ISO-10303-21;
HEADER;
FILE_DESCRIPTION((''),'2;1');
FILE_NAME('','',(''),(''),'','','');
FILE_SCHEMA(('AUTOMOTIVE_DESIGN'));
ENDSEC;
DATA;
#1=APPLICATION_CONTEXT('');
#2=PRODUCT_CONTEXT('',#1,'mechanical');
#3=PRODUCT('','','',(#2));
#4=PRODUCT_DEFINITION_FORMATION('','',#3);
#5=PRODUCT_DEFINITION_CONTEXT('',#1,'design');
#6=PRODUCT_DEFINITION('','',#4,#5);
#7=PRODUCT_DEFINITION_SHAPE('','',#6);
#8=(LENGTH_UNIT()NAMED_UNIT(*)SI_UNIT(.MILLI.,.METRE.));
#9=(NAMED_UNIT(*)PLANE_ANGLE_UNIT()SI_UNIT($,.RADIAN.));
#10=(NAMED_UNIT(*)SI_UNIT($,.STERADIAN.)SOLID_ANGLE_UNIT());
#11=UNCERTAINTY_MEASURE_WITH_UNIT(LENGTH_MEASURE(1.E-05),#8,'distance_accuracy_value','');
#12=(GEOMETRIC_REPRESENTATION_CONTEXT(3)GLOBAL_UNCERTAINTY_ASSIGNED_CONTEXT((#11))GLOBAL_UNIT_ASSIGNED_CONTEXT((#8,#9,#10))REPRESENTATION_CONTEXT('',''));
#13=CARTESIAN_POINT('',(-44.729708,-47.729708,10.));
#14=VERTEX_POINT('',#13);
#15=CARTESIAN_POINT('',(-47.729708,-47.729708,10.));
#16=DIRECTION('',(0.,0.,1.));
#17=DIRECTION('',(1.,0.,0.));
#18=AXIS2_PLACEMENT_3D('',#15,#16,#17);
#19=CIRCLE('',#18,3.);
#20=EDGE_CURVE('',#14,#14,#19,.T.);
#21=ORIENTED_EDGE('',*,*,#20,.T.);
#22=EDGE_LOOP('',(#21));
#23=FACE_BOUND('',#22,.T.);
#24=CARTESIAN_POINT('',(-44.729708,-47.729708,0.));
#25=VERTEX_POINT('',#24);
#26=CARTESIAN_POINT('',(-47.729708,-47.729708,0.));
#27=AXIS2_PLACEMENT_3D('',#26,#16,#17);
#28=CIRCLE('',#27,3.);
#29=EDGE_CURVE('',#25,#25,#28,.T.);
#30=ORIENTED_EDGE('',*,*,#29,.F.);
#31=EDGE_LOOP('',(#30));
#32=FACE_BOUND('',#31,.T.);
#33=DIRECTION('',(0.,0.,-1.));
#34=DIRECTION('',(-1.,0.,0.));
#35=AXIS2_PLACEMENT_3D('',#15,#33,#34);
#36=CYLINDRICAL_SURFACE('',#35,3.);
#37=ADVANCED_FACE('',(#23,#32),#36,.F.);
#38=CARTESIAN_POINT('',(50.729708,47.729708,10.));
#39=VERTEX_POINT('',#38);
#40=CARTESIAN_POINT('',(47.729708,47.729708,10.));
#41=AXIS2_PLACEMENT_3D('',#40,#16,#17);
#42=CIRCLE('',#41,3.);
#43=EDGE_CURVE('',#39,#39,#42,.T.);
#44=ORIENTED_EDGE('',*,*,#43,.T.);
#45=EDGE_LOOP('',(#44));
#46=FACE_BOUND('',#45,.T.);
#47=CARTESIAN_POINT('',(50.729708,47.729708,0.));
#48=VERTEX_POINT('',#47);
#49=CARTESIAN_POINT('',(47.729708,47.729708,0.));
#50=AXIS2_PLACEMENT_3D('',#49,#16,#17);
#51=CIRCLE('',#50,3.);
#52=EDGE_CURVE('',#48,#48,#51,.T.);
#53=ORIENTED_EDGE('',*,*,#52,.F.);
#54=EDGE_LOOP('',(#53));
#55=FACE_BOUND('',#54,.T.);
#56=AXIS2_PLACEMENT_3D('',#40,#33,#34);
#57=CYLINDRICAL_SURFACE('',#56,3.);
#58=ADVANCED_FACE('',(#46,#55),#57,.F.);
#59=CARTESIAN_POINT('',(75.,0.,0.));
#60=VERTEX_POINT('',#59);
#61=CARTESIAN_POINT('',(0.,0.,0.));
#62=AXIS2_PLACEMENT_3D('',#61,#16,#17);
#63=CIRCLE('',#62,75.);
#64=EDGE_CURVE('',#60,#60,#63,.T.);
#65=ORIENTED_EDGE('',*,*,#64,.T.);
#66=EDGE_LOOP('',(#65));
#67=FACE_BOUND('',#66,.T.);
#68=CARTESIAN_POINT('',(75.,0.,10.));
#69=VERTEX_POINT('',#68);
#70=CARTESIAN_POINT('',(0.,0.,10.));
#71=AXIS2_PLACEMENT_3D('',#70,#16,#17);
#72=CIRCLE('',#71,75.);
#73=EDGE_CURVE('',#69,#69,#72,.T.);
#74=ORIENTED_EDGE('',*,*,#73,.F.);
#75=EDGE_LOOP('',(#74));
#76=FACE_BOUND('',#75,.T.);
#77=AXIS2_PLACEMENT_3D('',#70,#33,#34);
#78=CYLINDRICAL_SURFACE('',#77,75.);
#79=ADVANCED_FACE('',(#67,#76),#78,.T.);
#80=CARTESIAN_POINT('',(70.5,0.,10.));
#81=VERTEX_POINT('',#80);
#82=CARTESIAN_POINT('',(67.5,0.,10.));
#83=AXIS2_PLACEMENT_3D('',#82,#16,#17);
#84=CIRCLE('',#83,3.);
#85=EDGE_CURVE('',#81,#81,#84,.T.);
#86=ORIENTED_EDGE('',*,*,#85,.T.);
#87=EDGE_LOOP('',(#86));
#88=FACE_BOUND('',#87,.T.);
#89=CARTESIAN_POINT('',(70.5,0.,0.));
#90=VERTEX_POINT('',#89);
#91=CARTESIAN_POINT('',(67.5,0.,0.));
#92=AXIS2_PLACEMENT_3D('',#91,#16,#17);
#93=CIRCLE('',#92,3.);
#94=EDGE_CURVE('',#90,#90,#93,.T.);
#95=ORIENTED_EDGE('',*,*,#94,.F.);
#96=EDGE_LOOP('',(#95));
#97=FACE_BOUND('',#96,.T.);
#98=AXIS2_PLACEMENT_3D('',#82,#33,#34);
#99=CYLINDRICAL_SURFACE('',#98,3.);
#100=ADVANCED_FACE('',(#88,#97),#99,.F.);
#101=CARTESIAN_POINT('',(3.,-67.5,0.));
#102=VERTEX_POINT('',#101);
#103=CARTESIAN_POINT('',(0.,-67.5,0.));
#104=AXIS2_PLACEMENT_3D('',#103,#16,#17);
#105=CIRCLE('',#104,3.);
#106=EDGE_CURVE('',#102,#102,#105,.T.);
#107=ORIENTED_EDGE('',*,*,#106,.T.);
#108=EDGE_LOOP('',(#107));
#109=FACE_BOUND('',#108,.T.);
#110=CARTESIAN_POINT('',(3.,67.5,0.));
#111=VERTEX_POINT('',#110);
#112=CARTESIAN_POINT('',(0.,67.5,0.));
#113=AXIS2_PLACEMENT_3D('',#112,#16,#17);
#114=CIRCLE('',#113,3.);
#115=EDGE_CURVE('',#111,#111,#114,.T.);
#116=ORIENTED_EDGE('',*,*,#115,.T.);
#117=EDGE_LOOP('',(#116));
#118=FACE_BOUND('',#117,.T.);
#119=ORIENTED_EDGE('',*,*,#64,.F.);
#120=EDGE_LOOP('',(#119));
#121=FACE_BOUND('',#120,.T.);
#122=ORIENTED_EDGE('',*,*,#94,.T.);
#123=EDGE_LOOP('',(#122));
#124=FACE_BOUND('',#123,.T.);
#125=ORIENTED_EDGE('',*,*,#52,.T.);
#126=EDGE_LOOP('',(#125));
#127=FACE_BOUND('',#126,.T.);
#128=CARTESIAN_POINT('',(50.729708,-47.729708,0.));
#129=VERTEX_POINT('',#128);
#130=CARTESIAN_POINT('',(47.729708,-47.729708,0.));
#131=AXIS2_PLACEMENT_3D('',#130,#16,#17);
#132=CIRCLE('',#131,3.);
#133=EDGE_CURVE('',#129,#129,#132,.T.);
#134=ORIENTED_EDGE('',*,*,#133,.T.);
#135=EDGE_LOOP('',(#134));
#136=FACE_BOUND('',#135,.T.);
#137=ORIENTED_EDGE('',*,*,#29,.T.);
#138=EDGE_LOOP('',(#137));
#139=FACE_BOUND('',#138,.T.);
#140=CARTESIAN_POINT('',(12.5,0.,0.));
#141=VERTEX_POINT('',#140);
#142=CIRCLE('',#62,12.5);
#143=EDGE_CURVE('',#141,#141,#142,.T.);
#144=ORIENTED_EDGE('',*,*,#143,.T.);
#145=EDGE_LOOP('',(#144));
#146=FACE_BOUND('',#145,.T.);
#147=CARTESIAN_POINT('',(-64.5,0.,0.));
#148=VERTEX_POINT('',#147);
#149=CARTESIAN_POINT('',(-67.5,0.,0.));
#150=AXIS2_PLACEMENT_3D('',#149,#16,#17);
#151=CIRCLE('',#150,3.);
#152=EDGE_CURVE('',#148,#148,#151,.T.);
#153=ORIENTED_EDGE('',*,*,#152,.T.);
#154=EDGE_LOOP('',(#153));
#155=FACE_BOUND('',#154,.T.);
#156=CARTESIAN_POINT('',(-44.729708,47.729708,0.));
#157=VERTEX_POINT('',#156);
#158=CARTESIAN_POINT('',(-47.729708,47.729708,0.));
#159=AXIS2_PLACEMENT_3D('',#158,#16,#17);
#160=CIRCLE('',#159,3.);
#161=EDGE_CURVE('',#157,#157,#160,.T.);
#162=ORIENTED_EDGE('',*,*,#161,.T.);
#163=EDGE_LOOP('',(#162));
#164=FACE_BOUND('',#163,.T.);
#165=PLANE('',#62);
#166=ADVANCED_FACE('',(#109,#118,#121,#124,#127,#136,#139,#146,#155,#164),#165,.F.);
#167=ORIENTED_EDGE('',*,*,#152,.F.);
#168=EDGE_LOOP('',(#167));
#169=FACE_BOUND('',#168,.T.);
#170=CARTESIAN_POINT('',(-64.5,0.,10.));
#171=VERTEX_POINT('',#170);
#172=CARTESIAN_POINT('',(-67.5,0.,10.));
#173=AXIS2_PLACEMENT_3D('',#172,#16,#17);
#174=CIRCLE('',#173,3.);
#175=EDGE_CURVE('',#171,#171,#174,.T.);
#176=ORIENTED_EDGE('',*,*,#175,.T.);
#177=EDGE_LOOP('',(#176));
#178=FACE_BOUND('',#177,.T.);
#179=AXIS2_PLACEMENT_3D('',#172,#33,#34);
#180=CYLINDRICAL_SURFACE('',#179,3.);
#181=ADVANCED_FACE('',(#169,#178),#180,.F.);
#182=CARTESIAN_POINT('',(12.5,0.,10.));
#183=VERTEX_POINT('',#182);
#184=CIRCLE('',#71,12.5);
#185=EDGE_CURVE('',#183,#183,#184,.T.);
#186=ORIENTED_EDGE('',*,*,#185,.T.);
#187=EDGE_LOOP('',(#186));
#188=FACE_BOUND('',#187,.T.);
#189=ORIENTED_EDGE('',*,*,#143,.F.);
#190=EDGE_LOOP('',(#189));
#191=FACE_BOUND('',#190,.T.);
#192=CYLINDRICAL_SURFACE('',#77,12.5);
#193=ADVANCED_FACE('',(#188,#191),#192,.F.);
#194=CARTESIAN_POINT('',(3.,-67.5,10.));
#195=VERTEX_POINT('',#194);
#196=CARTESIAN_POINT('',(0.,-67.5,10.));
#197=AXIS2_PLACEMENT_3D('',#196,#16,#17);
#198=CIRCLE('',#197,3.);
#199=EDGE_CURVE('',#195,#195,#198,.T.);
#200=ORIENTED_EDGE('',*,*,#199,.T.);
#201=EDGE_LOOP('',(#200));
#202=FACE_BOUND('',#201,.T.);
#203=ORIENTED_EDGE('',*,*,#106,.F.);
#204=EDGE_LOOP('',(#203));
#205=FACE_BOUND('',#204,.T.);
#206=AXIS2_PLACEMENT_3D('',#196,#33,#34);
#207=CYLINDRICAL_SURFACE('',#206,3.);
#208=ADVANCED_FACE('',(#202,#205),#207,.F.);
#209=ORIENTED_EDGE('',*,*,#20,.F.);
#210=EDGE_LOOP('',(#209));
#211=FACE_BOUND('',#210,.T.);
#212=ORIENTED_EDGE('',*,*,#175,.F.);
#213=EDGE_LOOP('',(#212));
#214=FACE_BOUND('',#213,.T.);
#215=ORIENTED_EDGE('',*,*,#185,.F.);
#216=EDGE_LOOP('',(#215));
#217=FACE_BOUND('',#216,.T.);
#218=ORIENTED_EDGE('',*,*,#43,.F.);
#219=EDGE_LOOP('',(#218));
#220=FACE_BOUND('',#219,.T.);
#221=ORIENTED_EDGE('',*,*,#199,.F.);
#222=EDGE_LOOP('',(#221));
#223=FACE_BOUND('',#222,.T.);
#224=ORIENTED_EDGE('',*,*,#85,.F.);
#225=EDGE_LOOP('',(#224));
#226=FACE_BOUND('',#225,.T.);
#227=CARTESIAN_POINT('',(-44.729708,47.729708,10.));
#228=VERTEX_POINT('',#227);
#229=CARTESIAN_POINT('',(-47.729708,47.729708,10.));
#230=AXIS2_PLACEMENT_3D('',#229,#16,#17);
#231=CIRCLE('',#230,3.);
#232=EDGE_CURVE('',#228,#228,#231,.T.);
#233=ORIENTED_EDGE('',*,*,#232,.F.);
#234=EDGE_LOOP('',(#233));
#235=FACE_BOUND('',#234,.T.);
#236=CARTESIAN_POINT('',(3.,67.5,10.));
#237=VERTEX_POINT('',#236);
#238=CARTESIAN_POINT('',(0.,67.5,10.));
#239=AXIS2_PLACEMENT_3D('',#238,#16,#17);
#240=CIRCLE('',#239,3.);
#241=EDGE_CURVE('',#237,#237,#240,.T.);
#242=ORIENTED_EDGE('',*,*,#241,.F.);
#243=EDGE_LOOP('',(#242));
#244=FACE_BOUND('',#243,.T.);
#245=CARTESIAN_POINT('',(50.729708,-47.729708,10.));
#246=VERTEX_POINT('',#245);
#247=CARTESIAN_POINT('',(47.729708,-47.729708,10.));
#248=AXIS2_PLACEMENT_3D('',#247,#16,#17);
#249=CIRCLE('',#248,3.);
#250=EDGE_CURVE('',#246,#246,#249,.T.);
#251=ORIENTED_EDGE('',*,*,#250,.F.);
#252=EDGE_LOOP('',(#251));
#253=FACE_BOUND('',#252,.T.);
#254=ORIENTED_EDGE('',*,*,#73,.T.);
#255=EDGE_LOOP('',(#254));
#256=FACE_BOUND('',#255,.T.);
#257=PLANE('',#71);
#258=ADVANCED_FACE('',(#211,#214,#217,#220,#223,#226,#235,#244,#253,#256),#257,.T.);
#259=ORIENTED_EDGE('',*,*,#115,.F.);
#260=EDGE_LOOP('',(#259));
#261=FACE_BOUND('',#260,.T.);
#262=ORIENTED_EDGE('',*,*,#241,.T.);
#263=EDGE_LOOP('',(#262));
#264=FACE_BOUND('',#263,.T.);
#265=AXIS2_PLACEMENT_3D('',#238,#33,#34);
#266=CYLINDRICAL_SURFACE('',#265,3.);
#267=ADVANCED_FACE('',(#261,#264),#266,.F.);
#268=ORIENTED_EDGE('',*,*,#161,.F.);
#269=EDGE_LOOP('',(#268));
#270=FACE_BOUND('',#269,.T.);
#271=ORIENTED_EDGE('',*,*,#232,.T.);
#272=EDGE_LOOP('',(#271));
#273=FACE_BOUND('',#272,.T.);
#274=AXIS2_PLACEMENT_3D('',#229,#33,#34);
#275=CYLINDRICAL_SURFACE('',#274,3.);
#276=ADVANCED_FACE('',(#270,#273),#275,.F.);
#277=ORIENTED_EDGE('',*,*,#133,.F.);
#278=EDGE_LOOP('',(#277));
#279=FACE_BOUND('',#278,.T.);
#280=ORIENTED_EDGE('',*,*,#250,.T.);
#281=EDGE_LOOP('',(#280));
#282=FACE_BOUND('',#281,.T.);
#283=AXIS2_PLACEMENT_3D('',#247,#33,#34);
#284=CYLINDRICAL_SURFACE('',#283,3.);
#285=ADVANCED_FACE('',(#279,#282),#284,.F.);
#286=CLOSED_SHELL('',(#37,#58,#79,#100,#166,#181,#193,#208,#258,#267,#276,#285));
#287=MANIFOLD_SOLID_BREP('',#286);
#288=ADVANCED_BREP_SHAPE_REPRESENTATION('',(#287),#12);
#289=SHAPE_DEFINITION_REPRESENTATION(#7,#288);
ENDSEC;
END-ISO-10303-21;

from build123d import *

# Parameters (mm, degrees)
CROQUIS1_R              = 75
CROQUIS1_R_2            = 3
CROQUIS1_R_3            = 12.5
SALIENTE_EXTRUIR1_DEPTH = 10


with BuildPart() as part:
    # Croquis1 → Saliente-Extruir1 (new body)
    with BuildSketch(Plane.XY):
        Circle(CROQUIS1_R)
        with Locations((0, 67.5)):
            Circle(CROQUIS1_R_2, mode=Mode.SUBTRACT)
        with Locations((47.72970773, 47.72970773)):
            Circle(CROQUIS1_R_2, mode=Mode.SUBTRACT)
        with Locations((67.5, 0)):
            Circle(CROQUIS1_R_2, mode=Mode.SUBTRACT)
        with Locations((47.72970773, -47.72970773)):
            Circle(CROQUIS1_R_2, mode=Mode.SUBTRACT)
        with Locations((0, -67.5)):
            Circle(CROQUIS1_R_2, mode=Mode.SUBTRACT)
        with Locations((-47.72970773, -47.72970773)):
            Circle(CROQUIS1_R_2, mode=Mode.SUBTRACT)
        with Locations((-67.5, 0)):
            Circle(CROQUIS1_R_2, mode=Mode.SUBTRACT)
        with Locations((-47.72970773, 47.72970773)):
            Circle(CROQUIS1_R_2, mode=Mode.SUBTRACT)
        Circle(CROQUIS1_R_3, mode=Mode.SUBTRACT)
    extrude(amount=SALIENTE_EXTRUIR1_DEPTH)


solid = part.part
